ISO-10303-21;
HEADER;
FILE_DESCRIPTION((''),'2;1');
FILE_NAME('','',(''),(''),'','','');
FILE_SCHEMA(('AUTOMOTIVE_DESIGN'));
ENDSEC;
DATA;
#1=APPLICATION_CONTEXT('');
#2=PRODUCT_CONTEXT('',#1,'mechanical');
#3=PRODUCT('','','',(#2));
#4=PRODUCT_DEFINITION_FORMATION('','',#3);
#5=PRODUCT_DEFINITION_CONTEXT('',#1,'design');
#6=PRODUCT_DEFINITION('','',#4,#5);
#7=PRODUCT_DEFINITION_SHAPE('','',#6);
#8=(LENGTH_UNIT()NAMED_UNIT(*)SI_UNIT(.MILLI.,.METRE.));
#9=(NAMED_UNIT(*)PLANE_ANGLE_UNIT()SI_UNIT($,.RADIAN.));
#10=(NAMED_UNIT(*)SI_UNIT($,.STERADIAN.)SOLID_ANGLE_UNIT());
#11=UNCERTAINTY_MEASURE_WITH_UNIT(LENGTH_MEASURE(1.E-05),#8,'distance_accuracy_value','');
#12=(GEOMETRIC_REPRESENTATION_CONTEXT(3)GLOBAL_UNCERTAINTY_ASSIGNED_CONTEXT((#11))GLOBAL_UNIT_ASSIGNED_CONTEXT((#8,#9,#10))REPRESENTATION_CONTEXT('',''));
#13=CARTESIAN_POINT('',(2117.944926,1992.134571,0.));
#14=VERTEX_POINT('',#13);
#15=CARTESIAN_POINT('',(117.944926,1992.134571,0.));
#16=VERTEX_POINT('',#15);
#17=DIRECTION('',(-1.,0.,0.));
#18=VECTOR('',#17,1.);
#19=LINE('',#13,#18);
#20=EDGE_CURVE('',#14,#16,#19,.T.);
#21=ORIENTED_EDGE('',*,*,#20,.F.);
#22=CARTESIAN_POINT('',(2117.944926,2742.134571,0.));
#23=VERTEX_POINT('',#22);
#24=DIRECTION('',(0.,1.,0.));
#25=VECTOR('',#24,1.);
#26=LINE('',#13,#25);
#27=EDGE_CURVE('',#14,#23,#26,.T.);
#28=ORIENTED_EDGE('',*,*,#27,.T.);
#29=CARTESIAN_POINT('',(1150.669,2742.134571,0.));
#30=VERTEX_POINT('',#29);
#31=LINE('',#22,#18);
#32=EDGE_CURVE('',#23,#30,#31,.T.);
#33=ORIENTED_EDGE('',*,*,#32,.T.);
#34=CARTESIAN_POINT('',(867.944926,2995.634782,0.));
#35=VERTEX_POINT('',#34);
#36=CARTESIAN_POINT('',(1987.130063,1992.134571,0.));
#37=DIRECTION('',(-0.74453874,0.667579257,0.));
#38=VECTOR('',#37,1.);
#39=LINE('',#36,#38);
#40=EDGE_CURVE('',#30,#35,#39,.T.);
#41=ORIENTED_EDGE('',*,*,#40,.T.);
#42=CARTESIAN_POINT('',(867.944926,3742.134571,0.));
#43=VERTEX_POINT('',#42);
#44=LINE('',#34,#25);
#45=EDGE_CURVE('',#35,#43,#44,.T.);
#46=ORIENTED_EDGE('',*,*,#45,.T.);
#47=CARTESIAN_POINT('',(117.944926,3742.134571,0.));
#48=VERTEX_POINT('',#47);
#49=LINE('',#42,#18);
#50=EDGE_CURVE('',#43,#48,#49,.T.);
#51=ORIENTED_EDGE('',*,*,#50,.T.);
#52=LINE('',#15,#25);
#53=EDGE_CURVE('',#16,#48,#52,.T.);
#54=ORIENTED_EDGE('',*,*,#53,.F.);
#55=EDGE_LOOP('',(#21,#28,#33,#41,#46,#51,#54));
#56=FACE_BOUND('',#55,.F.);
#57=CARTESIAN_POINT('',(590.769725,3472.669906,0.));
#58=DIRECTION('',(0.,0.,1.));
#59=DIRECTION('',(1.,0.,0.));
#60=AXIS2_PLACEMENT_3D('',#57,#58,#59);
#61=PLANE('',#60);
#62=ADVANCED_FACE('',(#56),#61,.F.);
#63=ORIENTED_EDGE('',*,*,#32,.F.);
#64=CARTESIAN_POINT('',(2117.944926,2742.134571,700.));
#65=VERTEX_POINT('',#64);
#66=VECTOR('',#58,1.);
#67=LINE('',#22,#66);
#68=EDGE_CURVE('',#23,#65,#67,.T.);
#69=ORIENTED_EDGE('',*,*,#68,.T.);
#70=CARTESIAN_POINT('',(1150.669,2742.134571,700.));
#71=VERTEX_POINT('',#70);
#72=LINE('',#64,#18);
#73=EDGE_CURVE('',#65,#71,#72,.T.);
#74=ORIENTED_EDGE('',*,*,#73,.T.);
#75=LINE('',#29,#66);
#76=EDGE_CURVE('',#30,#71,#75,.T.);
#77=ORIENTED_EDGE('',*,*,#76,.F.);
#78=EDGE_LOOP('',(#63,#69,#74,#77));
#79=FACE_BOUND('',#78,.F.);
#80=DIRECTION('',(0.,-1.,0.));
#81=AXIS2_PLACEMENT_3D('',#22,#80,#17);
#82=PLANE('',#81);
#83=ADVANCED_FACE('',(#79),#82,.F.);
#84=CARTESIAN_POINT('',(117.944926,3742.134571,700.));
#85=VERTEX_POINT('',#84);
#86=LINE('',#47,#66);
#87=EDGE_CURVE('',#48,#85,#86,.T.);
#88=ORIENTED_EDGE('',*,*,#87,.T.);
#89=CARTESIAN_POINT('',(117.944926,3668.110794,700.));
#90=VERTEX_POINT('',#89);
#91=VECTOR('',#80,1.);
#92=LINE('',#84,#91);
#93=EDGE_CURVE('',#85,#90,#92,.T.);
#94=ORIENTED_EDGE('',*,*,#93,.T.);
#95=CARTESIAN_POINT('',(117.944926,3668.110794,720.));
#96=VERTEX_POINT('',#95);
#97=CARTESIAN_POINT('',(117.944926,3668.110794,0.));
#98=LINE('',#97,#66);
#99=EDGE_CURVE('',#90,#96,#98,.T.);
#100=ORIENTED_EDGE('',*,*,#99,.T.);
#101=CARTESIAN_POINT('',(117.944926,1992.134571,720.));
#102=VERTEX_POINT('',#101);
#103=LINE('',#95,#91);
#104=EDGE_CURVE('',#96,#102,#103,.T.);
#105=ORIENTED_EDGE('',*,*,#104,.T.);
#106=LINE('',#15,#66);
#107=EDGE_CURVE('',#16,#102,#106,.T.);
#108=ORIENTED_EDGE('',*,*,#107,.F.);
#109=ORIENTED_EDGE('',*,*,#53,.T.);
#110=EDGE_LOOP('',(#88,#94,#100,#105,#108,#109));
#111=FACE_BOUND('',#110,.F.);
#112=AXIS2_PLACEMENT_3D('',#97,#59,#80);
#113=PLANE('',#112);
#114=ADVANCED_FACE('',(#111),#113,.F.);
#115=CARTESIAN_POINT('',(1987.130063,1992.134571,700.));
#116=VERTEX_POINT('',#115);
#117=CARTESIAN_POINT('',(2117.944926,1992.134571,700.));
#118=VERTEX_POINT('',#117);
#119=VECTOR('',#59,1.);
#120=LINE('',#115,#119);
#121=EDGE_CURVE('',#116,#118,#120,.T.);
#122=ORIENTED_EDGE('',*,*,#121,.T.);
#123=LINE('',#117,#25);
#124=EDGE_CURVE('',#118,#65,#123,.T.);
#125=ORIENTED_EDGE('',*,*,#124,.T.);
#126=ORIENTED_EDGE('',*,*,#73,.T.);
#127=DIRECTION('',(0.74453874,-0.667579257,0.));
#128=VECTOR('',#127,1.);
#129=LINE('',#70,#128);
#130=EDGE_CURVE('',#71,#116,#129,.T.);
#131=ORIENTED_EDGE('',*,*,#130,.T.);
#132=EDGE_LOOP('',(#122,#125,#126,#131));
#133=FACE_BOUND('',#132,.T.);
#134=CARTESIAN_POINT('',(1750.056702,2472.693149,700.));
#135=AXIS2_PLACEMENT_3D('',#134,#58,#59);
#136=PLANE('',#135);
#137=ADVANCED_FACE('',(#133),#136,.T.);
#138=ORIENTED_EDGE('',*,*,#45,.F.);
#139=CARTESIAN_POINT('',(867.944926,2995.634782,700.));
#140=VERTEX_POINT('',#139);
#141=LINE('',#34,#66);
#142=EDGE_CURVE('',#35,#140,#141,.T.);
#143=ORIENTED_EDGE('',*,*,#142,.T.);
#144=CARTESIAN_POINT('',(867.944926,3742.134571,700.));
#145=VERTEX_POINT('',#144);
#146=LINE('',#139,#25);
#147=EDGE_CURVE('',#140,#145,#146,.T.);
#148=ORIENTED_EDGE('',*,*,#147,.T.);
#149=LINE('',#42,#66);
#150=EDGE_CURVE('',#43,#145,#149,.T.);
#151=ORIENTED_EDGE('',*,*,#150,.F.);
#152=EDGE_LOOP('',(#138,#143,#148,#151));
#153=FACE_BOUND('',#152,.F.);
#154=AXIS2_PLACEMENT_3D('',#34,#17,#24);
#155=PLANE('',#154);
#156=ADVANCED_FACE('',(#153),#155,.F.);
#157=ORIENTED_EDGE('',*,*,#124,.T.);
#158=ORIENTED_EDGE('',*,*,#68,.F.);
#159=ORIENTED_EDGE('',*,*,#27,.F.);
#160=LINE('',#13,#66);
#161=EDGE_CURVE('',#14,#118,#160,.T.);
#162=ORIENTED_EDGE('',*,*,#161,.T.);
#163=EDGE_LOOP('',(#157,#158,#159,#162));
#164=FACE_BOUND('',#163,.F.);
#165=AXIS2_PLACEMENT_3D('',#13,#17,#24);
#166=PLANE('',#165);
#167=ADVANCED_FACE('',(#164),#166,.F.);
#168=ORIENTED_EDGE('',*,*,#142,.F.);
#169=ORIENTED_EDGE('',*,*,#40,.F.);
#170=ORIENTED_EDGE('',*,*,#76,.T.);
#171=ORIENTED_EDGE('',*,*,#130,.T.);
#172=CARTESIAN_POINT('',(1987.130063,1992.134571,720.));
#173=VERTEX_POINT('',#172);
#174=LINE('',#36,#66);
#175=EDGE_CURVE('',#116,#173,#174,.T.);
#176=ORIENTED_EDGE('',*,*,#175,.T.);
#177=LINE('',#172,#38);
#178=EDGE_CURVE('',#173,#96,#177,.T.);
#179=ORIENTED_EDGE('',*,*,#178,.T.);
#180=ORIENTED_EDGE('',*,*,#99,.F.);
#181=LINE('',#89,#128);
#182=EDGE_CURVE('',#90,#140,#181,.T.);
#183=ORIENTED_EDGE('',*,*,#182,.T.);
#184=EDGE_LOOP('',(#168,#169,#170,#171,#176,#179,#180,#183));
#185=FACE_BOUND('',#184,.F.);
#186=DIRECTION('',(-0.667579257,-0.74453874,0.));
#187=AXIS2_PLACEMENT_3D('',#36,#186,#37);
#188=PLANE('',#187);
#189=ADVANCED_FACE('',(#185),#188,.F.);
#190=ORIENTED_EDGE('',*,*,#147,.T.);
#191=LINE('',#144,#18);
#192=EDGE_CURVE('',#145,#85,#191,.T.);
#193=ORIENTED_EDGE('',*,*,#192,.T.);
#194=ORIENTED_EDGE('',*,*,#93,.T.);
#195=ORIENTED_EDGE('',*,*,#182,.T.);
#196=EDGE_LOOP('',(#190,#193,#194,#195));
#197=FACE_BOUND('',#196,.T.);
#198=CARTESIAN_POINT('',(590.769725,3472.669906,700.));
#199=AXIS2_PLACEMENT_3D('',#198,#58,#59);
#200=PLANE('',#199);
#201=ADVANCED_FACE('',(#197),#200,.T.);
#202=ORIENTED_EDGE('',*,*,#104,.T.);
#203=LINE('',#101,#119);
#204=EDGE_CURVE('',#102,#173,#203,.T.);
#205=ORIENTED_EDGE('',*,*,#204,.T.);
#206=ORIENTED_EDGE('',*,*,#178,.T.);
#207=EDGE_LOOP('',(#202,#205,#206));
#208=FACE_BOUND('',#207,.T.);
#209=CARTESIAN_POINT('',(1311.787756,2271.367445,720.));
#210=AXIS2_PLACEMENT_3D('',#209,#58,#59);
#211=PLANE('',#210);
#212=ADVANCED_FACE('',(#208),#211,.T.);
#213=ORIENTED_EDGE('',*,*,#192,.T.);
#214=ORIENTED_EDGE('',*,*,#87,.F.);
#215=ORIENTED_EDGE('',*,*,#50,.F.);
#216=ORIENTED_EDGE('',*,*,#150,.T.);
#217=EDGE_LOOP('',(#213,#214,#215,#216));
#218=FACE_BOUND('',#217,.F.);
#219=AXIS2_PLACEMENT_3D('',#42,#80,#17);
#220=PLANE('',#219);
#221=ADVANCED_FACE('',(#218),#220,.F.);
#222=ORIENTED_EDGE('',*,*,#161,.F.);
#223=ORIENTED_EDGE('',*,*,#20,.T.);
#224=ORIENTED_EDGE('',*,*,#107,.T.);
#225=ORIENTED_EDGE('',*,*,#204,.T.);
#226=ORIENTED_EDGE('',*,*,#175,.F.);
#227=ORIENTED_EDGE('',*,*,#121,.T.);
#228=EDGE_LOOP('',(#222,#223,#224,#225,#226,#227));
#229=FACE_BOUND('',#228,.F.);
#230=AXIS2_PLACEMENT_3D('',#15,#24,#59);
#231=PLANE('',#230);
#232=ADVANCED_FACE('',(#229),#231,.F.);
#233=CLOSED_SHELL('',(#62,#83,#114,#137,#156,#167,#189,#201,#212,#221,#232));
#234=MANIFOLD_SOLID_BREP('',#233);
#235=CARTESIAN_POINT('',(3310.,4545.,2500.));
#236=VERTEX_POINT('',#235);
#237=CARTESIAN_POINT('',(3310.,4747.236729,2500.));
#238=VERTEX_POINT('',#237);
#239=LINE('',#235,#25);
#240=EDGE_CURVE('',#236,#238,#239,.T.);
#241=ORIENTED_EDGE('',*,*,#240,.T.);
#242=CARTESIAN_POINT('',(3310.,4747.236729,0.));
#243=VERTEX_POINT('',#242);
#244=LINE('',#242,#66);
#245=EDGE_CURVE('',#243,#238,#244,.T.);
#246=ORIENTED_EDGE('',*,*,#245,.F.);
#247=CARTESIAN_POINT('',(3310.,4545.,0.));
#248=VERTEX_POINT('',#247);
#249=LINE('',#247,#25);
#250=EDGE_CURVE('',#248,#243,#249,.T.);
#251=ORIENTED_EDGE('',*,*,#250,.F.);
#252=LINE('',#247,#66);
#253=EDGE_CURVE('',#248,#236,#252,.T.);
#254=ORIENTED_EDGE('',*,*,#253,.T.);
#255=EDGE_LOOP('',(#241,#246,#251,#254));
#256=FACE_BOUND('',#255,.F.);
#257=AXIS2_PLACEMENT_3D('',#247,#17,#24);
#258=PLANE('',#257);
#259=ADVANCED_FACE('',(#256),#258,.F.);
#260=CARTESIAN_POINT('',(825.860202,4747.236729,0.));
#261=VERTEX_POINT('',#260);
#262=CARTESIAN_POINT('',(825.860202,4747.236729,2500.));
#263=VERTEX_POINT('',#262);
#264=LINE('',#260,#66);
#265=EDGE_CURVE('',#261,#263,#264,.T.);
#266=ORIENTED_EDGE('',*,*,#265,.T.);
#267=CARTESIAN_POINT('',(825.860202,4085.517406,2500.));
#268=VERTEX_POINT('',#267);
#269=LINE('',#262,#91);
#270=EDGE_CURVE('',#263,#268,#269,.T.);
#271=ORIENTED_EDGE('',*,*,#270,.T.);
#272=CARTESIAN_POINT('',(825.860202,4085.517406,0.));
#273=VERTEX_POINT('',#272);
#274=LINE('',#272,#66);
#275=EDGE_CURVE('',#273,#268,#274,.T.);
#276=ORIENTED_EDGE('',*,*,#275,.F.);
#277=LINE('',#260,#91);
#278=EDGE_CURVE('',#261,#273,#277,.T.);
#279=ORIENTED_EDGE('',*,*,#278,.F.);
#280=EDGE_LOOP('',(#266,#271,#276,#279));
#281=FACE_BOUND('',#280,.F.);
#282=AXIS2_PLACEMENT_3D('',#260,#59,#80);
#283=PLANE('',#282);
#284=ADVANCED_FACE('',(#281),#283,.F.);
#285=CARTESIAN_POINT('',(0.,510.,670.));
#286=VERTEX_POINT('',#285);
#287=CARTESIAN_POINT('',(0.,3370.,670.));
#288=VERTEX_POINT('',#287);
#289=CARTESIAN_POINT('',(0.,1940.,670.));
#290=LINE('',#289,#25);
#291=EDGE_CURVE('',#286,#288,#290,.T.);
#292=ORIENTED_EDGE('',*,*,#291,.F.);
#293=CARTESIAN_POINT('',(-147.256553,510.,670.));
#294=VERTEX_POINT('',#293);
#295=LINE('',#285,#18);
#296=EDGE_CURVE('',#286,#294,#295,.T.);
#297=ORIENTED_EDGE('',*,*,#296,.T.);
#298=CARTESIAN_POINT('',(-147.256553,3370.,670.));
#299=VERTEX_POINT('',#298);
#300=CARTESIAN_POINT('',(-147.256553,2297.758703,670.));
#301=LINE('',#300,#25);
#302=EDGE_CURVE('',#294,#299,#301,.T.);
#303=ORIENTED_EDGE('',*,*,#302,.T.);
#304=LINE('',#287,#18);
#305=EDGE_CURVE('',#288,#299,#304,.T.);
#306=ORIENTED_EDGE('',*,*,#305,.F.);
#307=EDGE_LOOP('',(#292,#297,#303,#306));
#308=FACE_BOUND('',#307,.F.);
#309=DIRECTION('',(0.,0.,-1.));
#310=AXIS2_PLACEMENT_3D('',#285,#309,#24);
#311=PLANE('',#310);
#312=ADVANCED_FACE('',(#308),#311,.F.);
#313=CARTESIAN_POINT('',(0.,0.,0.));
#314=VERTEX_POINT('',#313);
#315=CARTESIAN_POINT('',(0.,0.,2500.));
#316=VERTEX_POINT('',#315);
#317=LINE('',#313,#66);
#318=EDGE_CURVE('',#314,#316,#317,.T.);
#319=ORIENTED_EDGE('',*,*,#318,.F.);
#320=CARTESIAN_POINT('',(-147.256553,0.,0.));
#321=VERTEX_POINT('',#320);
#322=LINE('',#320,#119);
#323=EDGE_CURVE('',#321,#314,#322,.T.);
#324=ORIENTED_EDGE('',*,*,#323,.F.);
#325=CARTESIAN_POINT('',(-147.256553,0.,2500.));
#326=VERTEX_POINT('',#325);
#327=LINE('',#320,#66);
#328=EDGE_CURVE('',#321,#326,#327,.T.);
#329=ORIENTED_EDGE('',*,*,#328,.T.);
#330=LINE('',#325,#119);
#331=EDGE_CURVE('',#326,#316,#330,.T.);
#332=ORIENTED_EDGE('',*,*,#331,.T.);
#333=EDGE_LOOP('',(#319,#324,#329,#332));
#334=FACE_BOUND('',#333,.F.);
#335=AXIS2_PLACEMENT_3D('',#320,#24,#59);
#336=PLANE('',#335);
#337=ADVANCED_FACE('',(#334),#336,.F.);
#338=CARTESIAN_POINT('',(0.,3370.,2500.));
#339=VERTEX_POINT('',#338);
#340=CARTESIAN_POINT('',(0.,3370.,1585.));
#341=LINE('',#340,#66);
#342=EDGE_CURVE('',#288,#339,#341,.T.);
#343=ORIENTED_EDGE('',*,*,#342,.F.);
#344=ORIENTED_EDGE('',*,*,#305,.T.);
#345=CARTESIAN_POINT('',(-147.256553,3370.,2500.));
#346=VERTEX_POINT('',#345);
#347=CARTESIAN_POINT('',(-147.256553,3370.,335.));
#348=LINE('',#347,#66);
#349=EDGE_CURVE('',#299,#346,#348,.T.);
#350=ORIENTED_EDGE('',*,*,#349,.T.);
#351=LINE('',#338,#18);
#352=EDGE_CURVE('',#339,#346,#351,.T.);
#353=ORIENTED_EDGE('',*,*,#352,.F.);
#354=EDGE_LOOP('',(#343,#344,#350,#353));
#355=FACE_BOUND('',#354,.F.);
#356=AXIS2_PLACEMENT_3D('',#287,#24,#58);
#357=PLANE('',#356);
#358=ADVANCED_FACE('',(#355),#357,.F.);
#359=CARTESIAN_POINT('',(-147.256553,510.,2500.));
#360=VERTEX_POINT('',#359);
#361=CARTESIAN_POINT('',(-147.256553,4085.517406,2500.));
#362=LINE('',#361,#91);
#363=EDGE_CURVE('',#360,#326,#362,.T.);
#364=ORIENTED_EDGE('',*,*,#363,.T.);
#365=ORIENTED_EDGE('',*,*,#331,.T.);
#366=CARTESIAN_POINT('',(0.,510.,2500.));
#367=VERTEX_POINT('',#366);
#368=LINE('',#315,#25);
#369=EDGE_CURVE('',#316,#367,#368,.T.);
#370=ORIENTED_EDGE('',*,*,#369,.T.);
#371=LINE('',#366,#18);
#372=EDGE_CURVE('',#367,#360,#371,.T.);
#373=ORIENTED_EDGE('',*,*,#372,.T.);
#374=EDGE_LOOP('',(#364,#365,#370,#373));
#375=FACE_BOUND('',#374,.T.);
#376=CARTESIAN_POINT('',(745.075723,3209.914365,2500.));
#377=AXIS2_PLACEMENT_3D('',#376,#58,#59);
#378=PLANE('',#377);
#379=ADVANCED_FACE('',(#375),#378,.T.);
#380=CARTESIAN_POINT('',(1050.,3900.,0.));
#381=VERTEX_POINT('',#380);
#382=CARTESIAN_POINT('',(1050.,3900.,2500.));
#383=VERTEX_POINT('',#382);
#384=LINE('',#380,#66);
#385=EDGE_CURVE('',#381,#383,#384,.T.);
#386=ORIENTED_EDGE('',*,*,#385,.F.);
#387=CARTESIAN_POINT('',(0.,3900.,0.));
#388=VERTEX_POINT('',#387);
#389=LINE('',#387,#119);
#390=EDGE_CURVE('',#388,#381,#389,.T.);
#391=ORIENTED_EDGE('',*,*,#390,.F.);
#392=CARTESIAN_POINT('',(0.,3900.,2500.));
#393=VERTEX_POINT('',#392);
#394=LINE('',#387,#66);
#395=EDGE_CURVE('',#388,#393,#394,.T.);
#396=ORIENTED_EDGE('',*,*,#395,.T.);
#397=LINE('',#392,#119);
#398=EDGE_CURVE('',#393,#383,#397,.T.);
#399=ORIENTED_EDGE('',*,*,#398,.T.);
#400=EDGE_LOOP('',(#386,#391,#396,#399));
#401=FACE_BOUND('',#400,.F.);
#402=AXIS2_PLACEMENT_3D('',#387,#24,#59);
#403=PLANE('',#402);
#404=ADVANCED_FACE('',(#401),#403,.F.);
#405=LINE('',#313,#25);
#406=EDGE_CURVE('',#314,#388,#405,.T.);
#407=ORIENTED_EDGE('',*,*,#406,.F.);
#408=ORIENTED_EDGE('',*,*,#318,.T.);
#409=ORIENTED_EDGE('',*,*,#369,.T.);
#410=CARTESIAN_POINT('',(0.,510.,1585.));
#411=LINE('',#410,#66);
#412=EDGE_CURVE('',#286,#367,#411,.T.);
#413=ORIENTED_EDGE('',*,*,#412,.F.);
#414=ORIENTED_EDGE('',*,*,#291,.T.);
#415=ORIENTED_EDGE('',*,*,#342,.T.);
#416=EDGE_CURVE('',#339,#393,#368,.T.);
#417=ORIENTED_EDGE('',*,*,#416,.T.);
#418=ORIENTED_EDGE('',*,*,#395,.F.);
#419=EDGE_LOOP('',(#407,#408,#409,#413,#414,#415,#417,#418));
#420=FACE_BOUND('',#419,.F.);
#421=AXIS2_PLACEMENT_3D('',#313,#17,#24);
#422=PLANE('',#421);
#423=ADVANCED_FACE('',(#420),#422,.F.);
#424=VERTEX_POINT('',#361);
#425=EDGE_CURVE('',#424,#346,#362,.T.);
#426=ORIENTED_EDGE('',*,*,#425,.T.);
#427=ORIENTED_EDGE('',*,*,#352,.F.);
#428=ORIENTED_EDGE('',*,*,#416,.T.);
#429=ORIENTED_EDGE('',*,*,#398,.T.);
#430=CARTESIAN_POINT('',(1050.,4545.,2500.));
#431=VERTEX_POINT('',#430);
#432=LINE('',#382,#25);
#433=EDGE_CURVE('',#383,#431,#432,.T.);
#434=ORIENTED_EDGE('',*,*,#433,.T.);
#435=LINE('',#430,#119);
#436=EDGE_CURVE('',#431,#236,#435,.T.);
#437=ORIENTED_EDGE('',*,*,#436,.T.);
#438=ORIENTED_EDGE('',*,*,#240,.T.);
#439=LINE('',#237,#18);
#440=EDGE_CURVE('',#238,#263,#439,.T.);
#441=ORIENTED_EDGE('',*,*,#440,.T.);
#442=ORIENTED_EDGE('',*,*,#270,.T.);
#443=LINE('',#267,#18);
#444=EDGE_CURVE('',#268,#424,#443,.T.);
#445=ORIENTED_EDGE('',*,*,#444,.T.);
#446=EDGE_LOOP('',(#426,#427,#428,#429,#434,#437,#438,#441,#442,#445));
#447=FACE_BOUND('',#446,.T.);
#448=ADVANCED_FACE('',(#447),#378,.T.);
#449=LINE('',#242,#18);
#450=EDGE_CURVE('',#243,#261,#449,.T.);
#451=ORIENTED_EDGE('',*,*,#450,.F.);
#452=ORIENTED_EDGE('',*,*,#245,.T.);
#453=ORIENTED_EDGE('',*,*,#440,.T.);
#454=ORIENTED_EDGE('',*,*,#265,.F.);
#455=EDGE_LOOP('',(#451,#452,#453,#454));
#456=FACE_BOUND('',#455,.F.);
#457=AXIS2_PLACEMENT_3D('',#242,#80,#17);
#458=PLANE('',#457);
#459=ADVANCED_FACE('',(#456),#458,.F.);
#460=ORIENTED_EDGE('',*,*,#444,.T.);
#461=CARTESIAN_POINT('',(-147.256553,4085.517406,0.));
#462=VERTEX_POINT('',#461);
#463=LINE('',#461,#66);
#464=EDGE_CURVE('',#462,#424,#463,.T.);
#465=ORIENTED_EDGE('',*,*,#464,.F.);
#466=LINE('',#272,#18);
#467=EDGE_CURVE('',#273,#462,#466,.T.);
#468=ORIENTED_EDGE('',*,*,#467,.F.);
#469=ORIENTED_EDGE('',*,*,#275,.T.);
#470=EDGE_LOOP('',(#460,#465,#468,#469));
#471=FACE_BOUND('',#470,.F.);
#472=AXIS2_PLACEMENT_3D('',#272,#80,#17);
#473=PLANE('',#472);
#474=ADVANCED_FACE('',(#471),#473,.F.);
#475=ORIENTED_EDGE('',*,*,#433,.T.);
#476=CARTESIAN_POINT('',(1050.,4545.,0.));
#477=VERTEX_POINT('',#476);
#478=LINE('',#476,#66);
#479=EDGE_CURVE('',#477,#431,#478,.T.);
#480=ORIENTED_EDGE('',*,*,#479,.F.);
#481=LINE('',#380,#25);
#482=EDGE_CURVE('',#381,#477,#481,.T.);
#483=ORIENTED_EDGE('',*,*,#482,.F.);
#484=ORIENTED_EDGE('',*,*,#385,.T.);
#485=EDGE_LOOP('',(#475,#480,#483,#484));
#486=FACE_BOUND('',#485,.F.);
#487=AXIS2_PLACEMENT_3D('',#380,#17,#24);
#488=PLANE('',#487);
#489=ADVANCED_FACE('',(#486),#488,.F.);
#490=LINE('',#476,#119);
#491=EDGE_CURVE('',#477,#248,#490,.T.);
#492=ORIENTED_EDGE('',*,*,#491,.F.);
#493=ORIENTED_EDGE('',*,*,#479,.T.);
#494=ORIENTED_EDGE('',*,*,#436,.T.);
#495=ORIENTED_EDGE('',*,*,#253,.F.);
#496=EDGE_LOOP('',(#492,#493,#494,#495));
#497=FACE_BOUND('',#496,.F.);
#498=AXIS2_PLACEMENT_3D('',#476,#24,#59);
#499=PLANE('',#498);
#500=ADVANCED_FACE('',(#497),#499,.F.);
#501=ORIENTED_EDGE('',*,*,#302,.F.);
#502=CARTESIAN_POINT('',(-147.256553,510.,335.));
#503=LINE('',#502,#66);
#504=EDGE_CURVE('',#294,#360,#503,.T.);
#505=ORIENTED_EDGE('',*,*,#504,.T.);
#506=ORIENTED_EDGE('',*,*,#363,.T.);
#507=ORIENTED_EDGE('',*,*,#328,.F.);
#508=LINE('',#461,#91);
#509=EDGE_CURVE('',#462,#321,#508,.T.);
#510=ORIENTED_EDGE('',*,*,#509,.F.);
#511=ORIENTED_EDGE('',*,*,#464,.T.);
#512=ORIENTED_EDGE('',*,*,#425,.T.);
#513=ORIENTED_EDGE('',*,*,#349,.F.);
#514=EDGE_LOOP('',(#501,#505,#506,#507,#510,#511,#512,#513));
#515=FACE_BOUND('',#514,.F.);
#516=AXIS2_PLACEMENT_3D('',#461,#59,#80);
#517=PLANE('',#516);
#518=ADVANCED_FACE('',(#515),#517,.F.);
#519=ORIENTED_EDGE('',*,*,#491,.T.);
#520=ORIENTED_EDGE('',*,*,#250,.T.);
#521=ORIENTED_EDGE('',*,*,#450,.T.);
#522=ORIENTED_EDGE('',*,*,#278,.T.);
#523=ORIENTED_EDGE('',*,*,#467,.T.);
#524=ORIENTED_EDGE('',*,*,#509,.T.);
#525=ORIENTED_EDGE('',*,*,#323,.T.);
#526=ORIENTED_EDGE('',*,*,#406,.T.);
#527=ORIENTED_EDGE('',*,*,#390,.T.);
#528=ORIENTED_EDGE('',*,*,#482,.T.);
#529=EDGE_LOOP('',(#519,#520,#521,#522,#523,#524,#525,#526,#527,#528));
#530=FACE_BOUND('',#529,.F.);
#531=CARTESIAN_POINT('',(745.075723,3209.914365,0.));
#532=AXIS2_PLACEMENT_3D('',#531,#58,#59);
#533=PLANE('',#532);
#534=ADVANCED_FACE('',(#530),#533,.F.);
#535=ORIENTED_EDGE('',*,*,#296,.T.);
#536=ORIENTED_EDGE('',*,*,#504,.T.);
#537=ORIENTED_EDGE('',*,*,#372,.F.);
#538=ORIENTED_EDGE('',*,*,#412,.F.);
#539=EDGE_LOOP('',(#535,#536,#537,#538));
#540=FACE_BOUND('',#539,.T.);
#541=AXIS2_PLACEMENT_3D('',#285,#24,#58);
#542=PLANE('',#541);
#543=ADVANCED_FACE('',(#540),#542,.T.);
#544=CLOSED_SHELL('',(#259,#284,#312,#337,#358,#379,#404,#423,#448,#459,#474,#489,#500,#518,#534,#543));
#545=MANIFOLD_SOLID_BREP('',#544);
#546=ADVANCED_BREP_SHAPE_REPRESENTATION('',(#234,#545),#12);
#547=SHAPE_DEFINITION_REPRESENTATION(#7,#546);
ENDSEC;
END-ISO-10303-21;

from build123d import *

# Parameters (mm, degrees)
F1_DEPTH = 2500
F2_W     = 2860
F2_H     = 1830
F3_DEPTH = 200
F4_W     = 750
F4_H     = 750
F5_DEPTH = 720
F6_DEPTH = 700


with BuildPart() as f1:
    # F0 (on Top) → F1 (new body)
    with BuildSketch(Plane.XY):
        Polygon((-147.2565531731, 0), (0, 0), (0, 3900), (1050, 3900), (1050, 4545), (3310, 4545), (3310, 4747.2367286682), (825.8602023125, 4747.2367286682), (825.8602023125, 4085.5174064636), (-147.2565531731, 4085.5174064636), align=None)
    extrude(amount=F1_DEPTH)

    # F2 (on face) → F3 (cut)
    with BuildSketch(Plane.YZ):
        with Locations((1940, 1585)):
            Rectangle(F2_W, F2_H)
    extrude(amount=-F3_DEPTH, mode=Mode.SUBTRACT)


with BuildPart() as f5:
    # F4 (on Top) → F5 (new body)
    with BuildSketch(Plane.XY):
        Polygon((1150.6690001684, 2742.1345710754), (867.9449260235, 2742.1345710754), (867.9449260235, 1992.1345710754), (1987.1300632173, 1992.1345710754), align=None)
        Polygon((1150.6690001684, 2742.1345710754), (867.9449260235, 2995.6347816361), (867.9449260235, 2742.1345710754), align=None)
        Polygon((867.9449260235, 2742.1345710754), (867.9449260235, 2995.6347816361), (117.9449260235, 3668.1107937887), (117.9449260235, 2742.1345710754), align=None)
        with Locations((492.9449260235, 2367.1345710754)):
            Rectangle(F4_W, F4_H)
    extrude(amount=F5_DEPTH)

    # F4 (on Top) → F6 (join)
    with BuildSketch(Plane.XY):
        Polygon((867.9449260235, 2995.6347816361), (867.9449260235, 3742.1345710754), (117.9449260235, 3742.1345710754), (117.9449260235, 3668.1107937887), align=None)
        Polygon((2117.9449260235, 2742.1345710754), (1150.6690001684, 2742.1345710754), (1987.1300632173, 1992.1345710754), (2117.9449260235, 1992.1345710754), align=None)
    extrude(amount=F6_DEPTH)


solid = Compound([f1.part, f5.part])
